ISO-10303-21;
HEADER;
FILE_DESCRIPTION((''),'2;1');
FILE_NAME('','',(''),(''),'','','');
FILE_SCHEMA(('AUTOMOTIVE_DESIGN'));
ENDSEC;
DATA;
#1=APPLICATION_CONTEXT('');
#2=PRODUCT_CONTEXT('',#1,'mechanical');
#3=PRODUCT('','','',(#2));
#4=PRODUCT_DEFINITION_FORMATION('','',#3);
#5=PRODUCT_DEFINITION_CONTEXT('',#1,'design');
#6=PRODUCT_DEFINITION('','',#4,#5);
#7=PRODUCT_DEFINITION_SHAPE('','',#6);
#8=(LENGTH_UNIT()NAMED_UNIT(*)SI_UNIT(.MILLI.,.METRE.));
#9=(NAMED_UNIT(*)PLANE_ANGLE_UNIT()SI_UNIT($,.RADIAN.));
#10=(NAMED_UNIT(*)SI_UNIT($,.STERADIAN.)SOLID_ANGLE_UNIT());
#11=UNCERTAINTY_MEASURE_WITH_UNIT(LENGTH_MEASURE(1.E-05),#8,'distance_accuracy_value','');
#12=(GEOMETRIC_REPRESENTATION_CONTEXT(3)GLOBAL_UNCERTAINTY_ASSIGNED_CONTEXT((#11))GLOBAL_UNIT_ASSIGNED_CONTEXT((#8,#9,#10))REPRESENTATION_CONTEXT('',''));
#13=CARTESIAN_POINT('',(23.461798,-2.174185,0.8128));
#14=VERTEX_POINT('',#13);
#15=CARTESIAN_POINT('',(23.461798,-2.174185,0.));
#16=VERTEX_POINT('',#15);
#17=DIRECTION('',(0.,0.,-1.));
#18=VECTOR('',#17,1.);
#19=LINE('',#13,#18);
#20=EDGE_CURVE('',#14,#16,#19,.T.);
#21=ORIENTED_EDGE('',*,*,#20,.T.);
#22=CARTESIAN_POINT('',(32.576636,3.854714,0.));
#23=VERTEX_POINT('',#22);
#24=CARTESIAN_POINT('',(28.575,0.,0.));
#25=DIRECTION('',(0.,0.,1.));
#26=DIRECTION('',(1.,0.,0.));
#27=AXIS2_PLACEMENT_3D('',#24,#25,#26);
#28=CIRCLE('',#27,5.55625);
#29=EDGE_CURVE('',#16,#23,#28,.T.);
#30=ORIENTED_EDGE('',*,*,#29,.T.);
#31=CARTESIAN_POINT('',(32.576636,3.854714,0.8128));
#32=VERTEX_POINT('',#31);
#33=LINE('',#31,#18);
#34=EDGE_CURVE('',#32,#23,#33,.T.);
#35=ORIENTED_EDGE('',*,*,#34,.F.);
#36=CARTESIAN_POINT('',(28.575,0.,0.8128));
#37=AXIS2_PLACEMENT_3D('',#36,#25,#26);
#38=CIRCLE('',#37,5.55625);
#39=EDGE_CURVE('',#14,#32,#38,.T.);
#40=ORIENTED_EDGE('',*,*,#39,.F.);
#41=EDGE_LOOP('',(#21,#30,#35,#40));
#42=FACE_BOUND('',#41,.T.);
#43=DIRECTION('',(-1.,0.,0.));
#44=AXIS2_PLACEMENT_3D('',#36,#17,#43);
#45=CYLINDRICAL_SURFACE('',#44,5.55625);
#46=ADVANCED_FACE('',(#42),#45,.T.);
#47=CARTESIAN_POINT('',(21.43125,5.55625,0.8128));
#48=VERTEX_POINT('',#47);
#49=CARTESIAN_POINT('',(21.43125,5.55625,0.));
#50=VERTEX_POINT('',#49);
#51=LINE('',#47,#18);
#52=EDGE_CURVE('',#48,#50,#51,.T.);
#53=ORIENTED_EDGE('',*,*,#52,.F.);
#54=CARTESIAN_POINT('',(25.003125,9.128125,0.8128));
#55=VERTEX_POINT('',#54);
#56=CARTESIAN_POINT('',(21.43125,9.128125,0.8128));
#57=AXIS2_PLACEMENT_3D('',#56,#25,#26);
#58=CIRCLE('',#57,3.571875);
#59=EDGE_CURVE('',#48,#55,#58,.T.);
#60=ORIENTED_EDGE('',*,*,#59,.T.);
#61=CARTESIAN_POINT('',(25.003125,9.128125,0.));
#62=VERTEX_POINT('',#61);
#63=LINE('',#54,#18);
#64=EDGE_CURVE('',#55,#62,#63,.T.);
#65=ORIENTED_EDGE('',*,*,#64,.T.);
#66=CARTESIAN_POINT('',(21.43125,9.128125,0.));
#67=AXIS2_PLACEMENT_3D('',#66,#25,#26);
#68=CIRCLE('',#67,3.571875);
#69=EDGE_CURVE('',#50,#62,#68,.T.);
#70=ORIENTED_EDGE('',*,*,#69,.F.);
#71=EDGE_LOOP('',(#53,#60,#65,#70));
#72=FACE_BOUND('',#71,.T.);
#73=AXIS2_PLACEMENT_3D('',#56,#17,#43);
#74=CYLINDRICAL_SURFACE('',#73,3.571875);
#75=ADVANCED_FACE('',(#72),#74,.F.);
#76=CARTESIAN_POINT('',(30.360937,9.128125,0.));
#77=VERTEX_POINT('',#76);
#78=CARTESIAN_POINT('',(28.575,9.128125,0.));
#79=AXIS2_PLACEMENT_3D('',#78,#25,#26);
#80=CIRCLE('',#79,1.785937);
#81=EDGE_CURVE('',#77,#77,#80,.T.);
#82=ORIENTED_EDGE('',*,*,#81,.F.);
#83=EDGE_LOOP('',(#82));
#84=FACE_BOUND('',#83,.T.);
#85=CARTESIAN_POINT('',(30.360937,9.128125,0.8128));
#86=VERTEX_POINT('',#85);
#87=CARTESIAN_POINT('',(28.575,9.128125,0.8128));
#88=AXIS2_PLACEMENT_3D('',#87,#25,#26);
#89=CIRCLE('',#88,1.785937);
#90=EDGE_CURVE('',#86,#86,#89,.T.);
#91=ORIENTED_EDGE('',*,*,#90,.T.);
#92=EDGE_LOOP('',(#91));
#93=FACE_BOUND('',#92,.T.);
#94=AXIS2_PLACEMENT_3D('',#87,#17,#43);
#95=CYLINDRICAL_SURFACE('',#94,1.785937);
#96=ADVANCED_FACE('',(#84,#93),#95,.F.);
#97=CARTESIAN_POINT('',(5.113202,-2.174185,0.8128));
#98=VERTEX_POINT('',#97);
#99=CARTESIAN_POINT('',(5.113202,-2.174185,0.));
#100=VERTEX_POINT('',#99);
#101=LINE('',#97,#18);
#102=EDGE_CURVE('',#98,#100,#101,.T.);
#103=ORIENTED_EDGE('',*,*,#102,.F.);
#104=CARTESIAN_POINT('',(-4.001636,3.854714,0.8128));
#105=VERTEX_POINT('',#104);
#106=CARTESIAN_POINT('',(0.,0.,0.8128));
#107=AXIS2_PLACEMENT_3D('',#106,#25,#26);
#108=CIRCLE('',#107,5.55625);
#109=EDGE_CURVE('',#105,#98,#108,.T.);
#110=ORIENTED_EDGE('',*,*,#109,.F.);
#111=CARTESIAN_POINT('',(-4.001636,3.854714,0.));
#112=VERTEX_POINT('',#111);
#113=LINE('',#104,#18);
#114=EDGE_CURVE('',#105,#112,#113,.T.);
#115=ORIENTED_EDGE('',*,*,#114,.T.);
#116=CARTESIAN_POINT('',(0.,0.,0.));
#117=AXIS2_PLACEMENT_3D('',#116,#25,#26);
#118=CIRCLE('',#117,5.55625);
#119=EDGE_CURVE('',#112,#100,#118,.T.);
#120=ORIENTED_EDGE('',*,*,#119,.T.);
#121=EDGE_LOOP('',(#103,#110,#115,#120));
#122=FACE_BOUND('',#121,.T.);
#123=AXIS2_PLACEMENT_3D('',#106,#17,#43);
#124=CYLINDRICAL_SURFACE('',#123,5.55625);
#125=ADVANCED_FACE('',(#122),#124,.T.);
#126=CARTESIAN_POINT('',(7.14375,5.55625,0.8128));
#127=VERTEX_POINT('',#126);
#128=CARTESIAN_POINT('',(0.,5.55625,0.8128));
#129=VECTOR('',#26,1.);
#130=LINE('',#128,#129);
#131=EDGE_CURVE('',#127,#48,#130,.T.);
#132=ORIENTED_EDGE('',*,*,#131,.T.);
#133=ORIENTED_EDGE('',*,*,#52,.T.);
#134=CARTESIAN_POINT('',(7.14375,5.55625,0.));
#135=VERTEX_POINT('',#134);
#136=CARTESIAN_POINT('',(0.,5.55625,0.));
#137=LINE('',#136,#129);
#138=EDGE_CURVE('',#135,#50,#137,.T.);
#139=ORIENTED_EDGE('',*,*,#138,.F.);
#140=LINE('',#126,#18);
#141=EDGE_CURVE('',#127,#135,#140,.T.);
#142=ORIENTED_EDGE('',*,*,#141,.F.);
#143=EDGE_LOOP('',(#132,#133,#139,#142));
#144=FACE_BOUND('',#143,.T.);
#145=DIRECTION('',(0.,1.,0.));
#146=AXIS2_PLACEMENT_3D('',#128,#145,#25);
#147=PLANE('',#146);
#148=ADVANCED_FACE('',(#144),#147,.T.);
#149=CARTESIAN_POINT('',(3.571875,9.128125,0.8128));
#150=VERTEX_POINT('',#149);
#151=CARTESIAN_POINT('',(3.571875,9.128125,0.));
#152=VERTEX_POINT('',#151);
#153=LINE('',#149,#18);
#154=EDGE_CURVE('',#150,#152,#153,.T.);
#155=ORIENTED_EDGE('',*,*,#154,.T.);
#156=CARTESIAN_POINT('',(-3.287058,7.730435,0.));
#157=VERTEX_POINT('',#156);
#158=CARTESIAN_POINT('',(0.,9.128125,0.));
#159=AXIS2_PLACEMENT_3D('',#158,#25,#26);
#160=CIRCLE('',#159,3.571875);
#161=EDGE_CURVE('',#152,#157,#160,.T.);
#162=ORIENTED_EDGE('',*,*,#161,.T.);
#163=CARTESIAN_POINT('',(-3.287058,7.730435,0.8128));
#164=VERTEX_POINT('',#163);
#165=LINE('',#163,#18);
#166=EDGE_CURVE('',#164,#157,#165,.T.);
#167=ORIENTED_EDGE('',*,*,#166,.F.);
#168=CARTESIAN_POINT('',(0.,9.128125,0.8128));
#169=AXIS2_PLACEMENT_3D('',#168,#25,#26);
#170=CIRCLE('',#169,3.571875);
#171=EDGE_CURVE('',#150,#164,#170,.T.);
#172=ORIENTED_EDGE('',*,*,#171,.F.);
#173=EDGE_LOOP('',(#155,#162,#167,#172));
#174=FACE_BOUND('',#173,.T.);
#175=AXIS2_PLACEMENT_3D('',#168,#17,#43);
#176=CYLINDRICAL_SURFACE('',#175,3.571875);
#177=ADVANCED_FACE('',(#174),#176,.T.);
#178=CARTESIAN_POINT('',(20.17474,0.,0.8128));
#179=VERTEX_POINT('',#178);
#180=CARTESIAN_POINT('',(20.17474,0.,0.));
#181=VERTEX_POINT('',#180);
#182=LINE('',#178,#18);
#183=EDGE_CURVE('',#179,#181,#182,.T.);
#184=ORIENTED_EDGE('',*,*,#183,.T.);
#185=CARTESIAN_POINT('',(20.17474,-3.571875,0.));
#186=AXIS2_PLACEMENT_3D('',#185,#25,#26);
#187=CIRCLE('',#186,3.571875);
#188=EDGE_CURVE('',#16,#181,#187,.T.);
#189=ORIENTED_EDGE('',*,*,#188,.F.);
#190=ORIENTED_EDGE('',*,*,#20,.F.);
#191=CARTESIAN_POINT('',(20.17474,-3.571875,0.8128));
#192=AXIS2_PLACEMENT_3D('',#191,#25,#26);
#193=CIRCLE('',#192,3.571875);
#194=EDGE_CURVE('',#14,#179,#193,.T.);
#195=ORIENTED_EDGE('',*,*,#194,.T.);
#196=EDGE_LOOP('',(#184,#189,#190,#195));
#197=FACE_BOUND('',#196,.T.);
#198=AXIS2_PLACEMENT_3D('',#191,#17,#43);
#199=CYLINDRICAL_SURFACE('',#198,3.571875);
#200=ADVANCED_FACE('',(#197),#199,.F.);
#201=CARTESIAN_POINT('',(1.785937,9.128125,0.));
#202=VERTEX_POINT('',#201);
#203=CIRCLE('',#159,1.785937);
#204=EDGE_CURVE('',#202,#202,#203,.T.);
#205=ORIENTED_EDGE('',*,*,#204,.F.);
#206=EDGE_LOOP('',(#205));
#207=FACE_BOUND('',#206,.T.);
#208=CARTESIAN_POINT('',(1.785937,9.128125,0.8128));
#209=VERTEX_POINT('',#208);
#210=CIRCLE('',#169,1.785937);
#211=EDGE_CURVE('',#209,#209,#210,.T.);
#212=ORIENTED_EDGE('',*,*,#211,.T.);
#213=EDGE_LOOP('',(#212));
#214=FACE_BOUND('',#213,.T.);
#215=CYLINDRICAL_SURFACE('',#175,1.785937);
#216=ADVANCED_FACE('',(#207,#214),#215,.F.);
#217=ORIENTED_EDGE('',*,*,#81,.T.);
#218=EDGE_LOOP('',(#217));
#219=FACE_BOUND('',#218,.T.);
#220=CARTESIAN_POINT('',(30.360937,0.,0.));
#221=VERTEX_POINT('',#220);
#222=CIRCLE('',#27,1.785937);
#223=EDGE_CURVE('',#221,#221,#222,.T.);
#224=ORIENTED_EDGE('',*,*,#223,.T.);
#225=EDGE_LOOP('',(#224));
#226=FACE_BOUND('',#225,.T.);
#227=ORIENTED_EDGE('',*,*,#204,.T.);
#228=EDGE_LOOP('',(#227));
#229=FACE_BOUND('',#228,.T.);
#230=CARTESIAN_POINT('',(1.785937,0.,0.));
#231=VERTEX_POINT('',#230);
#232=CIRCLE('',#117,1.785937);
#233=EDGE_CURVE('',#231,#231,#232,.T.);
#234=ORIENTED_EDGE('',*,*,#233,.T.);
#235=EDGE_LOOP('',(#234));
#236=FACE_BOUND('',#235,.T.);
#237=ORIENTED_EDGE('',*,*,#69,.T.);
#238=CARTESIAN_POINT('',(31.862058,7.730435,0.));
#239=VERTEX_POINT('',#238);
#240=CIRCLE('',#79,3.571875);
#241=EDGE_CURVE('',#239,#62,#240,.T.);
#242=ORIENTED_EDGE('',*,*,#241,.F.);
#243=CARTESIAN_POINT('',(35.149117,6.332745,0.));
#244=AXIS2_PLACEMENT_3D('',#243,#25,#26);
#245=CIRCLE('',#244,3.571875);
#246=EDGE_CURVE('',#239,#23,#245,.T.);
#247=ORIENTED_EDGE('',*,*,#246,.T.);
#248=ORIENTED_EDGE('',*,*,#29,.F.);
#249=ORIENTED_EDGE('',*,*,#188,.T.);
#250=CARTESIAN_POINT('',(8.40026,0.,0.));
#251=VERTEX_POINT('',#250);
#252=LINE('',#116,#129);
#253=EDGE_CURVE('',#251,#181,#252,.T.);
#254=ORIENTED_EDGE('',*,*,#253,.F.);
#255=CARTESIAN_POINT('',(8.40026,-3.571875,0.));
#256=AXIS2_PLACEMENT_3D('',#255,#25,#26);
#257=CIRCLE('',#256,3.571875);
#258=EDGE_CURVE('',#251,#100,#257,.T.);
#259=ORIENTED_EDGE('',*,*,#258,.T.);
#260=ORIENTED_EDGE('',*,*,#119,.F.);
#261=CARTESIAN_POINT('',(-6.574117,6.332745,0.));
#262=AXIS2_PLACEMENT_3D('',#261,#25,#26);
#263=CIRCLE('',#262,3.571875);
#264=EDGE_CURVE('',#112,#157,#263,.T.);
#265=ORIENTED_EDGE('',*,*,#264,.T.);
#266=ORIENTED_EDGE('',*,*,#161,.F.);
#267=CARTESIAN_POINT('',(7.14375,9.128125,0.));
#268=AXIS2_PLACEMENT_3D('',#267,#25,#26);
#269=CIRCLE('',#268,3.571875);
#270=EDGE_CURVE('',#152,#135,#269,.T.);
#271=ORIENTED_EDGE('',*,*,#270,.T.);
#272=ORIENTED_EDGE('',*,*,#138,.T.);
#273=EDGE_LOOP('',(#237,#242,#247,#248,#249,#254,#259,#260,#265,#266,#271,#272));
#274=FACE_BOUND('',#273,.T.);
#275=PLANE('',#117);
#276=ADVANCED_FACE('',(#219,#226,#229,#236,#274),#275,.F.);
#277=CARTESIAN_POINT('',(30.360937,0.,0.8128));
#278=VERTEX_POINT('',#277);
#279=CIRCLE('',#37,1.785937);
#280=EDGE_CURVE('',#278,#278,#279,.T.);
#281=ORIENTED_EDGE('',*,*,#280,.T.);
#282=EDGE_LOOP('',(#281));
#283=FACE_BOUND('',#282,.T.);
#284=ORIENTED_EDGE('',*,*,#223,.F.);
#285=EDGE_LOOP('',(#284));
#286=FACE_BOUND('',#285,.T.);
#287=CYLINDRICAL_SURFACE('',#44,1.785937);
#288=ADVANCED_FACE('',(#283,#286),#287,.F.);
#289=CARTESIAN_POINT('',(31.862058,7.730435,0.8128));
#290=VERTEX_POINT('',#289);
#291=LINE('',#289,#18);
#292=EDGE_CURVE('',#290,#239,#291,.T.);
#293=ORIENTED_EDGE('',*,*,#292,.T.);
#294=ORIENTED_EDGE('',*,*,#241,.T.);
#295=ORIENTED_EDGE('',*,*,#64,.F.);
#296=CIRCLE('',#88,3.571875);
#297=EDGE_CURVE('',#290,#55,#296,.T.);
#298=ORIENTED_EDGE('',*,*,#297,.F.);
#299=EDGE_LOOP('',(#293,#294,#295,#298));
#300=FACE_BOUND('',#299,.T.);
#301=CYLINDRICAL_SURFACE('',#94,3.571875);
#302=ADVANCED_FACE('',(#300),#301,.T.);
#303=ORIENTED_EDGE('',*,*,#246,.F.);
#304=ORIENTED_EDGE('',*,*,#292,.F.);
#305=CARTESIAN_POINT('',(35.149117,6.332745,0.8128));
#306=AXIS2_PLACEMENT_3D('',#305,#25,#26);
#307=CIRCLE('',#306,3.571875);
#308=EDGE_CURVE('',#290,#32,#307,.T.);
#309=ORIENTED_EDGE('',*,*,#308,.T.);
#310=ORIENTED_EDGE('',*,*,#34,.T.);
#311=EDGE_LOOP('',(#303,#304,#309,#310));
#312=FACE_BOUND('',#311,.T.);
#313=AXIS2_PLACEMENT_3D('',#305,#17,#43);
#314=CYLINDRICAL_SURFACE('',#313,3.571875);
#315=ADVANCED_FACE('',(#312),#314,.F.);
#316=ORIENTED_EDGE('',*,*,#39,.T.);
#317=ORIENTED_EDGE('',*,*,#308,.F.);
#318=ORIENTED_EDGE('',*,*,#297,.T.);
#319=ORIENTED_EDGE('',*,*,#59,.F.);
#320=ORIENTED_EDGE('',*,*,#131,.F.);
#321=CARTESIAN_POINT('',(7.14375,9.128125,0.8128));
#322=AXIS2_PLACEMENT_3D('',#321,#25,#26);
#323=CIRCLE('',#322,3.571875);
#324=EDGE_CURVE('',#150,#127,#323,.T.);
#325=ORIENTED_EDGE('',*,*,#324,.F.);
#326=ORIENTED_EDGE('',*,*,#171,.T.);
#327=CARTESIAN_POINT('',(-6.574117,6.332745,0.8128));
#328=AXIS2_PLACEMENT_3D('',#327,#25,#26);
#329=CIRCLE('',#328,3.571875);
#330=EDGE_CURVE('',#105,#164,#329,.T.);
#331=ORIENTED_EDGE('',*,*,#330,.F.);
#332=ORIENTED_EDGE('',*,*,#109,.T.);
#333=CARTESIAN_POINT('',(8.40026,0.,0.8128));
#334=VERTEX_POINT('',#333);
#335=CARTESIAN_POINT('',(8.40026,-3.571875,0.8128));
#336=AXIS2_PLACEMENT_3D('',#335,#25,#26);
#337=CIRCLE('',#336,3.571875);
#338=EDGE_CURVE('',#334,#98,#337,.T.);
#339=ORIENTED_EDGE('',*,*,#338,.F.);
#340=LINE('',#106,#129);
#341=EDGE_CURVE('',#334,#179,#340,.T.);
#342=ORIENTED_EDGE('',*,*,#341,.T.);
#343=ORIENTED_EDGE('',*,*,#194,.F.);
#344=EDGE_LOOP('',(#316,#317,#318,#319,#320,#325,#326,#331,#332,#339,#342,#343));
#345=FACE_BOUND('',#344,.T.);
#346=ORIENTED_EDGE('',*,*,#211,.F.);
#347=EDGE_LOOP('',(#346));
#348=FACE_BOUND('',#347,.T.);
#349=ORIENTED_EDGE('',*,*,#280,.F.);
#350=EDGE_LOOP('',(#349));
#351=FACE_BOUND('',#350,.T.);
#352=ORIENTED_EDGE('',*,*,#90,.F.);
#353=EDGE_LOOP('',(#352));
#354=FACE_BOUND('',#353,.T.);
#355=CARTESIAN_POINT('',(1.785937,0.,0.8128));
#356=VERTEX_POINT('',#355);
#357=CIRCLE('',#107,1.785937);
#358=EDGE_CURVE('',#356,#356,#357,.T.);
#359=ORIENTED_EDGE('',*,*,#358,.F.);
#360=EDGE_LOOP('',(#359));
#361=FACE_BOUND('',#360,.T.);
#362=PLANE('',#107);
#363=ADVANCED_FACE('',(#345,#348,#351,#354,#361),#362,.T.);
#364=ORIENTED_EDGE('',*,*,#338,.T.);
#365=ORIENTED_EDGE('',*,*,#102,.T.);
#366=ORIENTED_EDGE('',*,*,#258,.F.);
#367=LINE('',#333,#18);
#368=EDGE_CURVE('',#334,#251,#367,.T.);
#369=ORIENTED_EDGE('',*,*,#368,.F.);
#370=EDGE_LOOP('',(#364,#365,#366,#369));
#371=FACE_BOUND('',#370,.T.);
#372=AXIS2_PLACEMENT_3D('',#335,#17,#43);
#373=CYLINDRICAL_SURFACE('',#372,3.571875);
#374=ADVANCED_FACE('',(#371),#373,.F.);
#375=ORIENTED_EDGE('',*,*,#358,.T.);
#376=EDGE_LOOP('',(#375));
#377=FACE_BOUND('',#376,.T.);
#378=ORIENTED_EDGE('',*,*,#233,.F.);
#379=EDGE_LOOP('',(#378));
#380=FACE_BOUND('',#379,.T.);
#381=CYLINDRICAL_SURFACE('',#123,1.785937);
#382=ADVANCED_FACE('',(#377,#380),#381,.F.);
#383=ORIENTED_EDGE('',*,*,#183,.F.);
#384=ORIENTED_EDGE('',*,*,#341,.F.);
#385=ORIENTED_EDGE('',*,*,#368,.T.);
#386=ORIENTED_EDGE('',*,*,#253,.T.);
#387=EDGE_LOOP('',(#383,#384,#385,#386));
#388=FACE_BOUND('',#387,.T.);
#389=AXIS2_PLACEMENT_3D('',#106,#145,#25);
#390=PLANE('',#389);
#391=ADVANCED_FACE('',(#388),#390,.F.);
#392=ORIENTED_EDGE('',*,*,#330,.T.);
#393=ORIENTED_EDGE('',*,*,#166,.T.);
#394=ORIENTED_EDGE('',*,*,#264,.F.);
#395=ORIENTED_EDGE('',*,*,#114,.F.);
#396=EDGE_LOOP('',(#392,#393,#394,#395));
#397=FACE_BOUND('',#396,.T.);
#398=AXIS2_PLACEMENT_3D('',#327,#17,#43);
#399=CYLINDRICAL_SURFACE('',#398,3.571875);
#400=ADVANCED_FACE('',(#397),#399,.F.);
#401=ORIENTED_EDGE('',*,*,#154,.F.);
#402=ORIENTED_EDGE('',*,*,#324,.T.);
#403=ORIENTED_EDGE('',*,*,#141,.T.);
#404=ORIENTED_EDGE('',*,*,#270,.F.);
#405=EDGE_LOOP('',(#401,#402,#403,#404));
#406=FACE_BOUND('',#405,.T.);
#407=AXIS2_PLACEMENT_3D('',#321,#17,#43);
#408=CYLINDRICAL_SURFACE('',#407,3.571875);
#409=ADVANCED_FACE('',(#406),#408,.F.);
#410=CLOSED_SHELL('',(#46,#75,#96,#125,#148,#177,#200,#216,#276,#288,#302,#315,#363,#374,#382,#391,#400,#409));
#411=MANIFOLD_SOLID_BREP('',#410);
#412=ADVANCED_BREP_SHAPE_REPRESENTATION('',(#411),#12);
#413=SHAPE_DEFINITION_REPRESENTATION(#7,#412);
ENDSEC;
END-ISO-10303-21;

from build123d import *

# Parameters (mm, degrees)
SKETCH1_R           = 1.7859375
BOSS_EXTRUDE1_DEPTH = 0.8128


with BuildPart() as part:
    # Sketch1 → Boss-Extrude1 (new body)
    with BuildSketch(Plane.XY):
        with BuildLine():
            ThreePointArc((5.113201981, -2.174184805), (6.429738102, -0.592725316), (8.400260413, 0))
            Line((8.400260413, 0), (20.174739587, 0))
            ThreePointArc((20.174739587, 0), (22.145261898, -0.592725316), (23.461798019, -2.174184805))
            ThreePointArc((23.461798019, -2.174184805), (31.640256951, -4.634232826), (32.576636291, 3.854714135))
            ThreePointArc((32.576636291, 3.854714135), (31.636446649, 5.685103372), (31.862058429, 7.730434799))
            ThreePointArc((31.862058429, 7.730434799), (29.288207259, 12.628071631), (25.003125, 9.128125))
            ThreePointArc((25.003125, 9.128125), (23.956947034, 6.602427966), (21.43125, 5.55625))
            Line((21.43125, 5.55625), (7.14375, 5.55625))
            ThreePointArc((7.14375, 5.55625), (4.618052966, 6.602427966), (3.571875, 9.128125))
            ThreePointArc((3.571875, 9.128125), (-0.713207259, 12.628071631), (-3.287058429, 7.730434799))
            ThreePointArc((-3.287058429, 7.730434799), (-3.061446655, 5.68510334), (-4.001636336, 3.854714088))
            ThreePointArc((-4.001636336, 3.854714088), (-3.065256924, -4.634232844), (5.113201981, -2.174184805))
        make_face()
        Circle(SKETCH1_R, mode=Mode.SUBTRACT)
        with Locations((28.575, 0)):
            Circle(SKETCH1_R, mode=Mode.SUBTRACT)
        with Locations((0, 9.128125)):
            Circle(SKETCH1_R, mode=Mode.SUBTRACT)
        with Locations((28.575, 9.128125)):
            Circle(SKETCH1_R, mode=Mode.SUBTRACT)
    extrude(amount=BOSS_EXTRUDE1_DEPTH)


solid = part.part
